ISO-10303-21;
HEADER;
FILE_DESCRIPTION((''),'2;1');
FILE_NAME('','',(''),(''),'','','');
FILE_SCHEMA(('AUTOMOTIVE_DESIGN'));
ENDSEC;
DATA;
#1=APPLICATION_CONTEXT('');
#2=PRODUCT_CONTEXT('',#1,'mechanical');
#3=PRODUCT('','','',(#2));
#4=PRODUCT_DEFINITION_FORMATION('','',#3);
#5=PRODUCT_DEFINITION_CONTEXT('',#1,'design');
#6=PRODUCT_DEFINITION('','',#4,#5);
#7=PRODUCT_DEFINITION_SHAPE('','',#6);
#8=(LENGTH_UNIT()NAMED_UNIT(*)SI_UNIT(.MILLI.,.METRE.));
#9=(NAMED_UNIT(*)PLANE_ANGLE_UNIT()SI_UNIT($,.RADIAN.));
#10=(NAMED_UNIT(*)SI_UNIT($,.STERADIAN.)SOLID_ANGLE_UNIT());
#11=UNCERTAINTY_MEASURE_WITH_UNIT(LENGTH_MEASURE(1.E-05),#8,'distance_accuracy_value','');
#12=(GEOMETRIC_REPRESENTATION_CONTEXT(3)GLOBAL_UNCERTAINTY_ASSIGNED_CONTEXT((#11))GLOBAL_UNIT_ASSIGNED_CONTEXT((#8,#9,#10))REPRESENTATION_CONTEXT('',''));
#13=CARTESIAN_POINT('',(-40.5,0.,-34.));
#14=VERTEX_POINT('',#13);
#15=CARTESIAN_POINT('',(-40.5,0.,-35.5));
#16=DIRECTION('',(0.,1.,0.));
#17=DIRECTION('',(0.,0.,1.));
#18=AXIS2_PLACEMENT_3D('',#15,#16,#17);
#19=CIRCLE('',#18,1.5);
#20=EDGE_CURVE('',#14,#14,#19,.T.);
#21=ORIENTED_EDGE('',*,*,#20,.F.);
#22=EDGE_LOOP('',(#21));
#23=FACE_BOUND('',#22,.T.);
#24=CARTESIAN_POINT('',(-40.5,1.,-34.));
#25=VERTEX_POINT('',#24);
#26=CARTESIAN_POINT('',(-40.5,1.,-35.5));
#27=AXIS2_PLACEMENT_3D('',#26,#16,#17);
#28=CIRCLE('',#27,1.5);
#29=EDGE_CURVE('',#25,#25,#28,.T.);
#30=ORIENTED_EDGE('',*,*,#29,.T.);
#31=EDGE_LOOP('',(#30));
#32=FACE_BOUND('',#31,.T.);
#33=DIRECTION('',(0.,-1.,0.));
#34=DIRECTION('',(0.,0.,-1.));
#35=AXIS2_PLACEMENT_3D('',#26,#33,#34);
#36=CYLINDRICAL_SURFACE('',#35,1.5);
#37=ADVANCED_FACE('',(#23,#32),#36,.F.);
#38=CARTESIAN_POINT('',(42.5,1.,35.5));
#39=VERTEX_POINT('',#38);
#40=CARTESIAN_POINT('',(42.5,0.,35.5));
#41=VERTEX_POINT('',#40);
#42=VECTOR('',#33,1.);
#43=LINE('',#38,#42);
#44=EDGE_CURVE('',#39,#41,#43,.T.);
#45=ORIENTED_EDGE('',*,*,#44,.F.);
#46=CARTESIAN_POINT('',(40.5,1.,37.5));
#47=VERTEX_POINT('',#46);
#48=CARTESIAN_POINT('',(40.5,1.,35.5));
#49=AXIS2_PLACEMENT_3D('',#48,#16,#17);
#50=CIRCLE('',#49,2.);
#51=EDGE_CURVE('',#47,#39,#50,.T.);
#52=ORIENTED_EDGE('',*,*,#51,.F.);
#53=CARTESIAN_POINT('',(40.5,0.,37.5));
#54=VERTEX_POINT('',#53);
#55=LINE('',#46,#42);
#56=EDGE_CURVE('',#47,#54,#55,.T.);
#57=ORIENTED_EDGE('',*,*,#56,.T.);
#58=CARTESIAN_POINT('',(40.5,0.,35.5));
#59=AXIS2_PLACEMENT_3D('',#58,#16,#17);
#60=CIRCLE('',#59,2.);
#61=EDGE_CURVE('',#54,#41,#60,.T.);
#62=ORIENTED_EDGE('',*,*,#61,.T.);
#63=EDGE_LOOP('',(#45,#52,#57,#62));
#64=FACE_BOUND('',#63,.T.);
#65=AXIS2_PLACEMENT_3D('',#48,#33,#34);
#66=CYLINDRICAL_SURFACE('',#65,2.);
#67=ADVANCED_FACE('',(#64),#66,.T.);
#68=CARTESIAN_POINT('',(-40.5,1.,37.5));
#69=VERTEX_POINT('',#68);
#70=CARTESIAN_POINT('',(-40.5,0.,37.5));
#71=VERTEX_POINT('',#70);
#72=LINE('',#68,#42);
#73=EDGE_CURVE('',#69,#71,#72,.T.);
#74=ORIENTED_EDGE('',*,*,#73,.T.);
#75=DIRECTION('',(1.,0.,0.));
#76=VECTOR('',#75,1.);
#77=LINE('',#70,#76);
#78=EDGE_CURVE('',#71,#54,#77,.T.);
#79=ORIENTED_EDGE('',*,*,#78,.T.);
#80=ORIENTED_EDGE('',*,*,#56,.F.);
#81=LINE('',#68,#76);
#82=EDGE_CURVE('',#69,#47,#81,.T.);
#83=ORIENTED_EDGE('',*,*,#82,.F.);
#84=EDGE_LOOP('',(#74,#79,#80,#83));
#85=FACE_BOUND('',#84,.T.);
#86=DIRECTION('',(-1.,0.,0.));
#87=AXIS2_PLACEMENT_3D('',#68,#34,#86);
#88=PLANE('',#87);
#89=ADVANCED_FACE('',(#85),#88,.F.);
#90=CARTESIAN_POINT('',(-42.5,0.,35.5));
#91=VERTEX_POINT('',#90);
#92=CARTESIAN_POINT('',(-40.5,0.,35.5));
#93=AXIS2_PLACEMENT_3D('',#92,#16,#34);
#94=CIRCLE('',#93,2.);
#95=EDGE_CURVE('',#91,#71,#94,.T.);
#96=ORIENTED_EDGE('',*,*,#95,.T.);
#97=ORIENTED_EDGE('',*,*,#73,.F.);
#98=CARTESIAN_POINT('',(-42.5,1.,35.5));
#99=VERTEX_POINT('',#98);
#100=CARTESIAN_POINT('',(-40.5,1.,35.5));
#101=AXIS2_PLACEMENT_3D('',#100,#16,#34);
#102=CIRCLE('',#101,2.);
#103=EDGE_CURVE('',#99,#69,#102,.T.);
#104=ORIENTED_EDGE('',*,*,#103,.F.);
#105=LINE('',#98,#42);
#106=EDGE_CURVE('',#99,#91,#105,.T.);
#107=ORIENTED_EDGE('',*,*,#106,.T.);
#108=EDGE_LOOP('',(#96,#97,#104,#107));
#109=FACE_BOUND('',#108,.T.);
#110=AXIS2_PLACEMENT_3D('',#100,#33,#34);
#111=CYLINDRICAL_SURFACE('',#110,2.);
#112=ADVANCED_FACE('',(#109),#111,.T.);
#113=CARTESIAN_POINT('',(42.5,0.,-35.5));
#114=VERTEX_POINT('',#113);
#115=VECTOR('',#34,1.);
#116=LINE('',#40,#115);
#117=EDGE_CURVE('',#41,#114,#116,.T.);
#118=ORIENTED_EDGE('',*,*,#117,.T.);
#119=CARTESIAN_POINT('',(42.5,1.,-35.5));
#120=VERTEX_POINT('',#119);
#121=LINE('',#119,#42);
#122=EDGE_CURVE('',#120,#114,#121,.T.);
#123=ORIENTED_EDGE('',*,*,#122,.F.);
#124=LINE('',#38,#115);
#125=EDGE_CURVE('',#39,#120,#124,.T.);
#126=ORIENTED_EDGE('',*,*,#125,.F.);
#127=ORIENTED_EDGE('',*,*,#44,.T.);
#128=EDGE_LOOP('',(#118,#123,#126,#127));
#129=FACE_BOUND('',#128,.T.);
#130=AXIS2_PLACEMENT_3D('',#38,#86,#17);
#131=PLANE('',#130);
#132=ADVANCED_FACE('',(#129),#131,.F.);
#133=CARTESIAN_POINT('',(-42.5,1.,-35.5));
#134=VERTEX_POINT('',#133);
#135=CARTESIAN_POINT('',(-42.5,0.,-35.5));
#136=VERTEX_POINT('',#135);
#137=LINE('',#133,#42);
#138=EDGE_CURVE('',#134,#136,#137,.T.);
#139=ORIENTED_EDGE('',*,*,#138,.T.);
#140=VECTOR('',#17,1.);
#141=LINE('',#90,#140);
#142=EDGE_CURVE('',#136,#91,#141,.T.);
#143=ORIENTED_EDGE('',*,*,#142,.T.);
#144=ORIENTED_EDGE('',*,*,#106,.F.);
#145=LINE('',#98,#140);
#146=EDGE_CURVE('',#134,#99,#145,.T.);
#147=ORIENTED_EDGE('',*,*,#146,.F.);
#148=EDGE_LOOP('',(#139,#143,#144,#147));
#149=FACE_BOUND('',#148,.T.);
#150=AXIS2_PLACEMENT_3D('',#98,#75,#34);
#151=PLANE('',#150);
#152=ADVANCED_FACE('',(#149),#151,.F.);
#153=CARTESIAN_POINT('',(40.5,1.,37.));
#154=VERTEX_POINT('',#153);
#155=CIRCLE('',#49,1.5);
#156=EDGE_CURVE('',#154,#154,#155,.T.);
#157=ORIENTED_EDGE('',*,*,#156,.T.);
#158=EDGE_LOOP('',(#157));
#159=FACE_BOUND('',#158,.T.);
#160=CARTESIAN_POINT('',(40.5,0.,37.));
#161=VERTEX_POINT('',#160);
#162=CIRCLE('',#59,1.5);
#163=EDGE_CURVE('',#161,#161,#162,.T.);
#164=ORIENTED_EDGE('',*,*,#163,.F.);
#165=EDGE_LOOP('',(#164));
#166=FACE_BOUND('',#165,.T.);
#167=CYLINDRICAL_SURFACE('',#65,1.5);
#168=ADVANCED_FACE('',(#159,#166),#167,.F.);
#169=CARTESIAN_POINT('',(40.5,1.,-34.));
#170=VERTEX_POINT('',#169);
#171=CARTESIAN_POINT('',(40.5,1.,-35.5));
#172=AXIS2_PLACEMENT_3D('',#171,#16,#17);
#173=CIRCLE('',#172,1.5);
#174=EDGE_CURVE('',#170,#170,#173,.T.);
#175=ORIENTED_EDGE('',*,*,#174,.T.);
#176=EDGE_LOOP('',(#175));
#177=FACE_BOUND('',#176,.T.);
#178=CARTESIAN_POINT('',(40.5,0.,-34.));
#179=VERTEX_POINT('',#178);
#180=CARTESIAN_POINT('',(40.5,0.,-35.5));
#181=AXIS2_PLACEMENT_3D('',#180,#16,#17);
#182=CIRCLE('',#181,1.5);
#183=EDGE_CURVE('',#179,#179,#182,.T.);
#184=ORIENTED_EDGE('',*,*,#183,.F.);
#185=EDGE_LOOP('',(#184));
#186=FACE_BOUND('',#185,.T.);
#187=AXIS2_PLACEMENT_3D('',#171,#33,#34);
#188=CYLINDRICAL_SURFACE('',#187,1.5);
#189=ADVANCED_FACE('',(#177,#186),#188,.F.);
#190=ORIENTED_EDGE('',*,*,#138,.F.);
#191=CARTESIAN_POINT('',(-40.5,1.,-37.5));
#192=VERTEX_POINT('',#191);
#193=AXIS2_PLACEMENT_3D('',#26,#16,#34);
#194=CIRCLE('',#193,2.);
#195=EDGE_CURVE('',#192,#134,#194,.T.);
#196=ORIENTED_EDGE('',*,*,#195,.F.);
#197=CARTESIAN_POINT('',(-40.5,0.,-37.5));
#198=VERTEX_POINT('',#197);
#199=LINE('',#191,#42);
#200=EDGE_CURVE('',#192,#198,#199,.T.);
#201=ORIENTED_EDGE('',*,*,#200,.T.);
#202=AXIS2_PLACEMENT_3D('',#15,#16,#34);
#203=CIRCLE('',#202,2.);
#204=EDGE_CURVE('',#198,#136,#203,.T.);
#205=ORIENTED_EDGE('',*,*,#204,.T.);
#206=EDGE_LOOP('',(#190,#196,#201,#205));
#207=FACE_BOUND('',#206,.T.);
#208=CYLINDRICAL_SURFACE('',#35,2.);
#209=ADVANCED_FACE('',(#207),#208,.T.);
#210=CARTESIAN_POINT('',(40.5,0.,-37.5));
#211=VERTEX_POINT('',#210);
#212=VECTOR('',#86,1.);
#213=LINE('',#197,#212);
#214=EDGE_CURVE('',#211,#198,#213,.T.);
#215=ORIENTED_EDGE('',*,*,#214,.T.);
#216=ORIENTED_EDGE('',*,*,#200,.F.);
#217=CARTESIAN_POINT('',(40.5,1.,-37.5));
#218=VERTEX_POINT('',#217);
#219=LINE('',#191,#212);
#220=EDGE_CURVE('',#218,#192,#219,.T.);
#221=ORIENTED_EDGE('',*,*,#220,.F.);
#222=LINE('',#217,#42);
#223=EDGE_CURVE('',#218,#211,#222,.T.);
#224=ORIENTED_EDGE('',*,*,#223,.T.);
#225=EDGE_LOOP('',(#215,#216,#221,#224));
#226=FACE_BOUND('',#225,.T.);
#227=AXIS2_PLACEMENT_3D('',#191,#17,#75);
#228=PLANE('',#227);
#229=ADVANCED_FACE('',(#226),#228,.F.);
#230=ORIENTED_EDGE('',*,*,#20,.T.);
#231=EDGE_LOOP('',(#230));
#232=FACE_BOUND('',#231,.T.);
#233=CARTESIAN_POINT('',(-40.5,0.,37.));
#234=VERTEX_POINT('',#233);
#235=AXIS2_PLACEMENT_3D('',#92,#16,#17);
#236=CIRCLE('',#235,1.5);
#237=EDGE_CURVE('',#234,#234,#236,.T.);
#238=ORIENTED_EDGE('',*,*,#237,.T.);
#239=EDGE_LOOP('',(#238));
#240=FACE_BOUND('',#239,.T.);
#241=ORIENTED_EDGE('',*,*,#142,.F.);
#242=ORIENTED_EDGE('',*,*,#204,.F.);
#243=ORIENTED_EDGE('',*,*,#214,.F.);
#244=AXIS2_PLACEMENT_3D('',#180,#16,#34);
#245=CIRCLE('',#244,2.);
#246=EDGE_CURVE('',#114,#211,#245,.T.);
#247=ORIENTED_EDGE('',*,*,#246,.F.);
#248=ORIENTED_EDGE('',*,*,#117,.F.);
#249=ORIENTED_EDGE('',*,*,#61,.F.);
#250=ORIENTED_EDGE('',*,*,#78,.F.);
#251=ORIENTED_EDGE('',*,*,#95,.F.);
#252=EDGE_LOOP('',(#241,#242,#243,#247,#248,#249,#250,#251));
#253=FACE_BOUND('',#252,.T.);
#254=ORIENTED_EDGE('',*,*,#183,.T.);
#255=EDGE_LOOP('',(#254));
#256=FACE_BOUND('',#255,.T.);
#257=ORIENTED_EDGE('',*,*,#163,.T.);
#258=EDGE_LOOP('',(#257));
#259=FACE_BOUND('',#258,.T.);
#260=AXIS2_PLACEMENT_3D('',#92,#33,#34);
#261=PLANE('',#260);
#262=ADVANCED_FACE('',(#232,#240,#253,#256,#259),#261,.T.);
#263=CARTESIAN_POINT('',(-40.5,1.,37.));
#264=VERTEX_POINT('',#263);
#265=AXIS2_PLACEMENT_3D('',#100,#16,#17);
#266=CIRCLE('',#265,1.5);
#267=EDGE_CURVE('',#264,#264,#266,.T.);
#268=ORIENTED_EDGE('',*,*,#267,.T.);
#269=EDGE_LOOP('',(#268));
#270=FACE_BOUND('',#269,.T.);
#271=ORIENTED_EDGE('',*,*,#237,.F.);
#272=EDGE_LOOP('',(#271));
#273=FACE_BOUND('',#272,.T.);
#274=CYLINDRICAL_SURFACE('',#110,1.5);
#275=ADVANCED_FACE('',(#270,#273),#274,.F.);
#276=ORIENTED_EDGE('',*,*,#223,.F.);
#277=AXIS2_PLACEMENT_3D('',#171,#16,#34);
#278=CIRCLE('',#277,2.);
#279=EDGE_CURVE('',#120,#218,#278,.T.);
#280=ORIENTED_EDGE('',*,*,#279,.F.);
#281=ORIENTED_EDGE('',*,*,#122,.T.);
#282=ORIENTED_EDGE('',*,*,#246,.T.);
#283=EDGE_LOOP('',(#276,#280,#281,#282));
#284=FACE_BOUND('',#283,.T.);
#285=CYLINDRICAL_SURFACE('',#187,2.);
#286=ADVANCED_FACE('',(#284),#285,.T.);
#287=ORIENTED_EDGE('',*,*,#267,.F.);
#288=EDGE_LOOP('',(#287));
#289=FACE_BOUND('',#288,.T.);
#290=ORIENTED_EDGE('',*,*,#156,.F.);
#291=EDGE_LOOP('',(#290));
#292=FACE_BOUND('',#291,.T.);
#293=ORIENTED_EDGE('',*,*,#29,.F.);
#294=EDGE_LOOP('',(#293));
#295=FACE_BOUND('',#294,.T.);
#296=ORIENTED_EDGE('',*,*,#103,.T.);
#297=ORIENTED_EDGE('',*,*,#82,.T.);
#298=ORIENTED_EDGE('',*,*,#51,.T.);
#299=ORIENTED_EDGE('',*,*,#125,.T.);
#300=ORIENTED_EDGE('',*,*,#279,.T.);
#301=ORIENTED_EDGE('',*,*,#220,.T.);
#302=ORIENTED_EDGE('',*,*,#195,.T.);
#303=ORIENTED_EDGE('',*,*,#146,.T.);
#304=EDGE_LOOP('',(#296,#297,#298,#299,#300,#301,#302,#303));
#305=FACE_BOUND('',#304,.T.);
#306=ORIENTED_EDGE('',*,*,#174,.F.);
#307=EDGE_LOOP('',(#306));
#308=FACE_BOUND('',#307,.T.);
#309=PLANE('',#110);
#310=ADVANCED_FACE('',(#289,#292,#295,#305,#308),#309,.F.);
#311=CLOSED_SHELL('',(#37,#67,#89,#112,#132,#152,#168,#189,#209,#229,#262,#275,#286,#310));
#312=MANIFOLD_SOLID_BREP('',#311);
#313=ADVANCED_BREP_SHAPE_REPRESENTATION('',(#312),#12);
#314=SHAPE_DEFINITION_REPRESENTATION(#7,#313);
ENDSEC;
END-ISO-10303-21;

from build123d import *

# Parameters (mm, degrees)
SKETCH1_R           = 1.5
BOSS_EXTRUDE1_DEPTH = 1


with BuildPart() as part:
    # Sketch1 → Boss-Extrude1 (new body)
    with BuildSketch(Plane(origin=(0, 0, 0), x_dir=(1, 0, 0), z_dir=(0, 1, 0))):
        with BuildLine():
            Line((-40.5, -37.5), (40.5, -37.5))
            ThreePointArc((40.5, -37.5), (41.914213562, -36.914213562), (42.5, -35.5))
            Line((42.5, -35.5), (42.5, 35.5))
            ThreePointArc((42.5, 35.5), (41.914213562, 36.914213562), (40.5, 37.5))
            Line((40.5, 37.5), (-40.5, 37.5))
            ThreePointArc((-40.5, 37.5), (-41.914213562, 36.914213562), (-42.5, 35.5))
            Line((-42.5, 35.5), (-42.5, -35.5))
            ThreePointArc((-42.5, -35.5), (-41.914213562, -36.914213562), (-40.5, -37.5))
        make_face()
        with Locations(Location((-40.5, 35.5, 0), (0, 0, 270))):
            Circle(SKETCH1_R, mode=Mode.SUBTRACT)
        with Locations(Location((40.5, 35.5, 0), (0, 0, 270))):
            Circle(SKETCH1_R, mode=Mode.SUBTRACT)
        with Locations(Location((40.5, -35.5, 0), (0, 0, 270))):
            Circle(SKETCH1_R, mode=Mode.SUBTRACT)
        with Locations(Location((-40.5, -35.5, 0), (0, 0, 270))):
            Circle(SKETCH1_R, mode=Mode.SUBTRACT)
    extrude(amount=BOSS_EXTRUDE1_DEPTH)


solid = part.part
